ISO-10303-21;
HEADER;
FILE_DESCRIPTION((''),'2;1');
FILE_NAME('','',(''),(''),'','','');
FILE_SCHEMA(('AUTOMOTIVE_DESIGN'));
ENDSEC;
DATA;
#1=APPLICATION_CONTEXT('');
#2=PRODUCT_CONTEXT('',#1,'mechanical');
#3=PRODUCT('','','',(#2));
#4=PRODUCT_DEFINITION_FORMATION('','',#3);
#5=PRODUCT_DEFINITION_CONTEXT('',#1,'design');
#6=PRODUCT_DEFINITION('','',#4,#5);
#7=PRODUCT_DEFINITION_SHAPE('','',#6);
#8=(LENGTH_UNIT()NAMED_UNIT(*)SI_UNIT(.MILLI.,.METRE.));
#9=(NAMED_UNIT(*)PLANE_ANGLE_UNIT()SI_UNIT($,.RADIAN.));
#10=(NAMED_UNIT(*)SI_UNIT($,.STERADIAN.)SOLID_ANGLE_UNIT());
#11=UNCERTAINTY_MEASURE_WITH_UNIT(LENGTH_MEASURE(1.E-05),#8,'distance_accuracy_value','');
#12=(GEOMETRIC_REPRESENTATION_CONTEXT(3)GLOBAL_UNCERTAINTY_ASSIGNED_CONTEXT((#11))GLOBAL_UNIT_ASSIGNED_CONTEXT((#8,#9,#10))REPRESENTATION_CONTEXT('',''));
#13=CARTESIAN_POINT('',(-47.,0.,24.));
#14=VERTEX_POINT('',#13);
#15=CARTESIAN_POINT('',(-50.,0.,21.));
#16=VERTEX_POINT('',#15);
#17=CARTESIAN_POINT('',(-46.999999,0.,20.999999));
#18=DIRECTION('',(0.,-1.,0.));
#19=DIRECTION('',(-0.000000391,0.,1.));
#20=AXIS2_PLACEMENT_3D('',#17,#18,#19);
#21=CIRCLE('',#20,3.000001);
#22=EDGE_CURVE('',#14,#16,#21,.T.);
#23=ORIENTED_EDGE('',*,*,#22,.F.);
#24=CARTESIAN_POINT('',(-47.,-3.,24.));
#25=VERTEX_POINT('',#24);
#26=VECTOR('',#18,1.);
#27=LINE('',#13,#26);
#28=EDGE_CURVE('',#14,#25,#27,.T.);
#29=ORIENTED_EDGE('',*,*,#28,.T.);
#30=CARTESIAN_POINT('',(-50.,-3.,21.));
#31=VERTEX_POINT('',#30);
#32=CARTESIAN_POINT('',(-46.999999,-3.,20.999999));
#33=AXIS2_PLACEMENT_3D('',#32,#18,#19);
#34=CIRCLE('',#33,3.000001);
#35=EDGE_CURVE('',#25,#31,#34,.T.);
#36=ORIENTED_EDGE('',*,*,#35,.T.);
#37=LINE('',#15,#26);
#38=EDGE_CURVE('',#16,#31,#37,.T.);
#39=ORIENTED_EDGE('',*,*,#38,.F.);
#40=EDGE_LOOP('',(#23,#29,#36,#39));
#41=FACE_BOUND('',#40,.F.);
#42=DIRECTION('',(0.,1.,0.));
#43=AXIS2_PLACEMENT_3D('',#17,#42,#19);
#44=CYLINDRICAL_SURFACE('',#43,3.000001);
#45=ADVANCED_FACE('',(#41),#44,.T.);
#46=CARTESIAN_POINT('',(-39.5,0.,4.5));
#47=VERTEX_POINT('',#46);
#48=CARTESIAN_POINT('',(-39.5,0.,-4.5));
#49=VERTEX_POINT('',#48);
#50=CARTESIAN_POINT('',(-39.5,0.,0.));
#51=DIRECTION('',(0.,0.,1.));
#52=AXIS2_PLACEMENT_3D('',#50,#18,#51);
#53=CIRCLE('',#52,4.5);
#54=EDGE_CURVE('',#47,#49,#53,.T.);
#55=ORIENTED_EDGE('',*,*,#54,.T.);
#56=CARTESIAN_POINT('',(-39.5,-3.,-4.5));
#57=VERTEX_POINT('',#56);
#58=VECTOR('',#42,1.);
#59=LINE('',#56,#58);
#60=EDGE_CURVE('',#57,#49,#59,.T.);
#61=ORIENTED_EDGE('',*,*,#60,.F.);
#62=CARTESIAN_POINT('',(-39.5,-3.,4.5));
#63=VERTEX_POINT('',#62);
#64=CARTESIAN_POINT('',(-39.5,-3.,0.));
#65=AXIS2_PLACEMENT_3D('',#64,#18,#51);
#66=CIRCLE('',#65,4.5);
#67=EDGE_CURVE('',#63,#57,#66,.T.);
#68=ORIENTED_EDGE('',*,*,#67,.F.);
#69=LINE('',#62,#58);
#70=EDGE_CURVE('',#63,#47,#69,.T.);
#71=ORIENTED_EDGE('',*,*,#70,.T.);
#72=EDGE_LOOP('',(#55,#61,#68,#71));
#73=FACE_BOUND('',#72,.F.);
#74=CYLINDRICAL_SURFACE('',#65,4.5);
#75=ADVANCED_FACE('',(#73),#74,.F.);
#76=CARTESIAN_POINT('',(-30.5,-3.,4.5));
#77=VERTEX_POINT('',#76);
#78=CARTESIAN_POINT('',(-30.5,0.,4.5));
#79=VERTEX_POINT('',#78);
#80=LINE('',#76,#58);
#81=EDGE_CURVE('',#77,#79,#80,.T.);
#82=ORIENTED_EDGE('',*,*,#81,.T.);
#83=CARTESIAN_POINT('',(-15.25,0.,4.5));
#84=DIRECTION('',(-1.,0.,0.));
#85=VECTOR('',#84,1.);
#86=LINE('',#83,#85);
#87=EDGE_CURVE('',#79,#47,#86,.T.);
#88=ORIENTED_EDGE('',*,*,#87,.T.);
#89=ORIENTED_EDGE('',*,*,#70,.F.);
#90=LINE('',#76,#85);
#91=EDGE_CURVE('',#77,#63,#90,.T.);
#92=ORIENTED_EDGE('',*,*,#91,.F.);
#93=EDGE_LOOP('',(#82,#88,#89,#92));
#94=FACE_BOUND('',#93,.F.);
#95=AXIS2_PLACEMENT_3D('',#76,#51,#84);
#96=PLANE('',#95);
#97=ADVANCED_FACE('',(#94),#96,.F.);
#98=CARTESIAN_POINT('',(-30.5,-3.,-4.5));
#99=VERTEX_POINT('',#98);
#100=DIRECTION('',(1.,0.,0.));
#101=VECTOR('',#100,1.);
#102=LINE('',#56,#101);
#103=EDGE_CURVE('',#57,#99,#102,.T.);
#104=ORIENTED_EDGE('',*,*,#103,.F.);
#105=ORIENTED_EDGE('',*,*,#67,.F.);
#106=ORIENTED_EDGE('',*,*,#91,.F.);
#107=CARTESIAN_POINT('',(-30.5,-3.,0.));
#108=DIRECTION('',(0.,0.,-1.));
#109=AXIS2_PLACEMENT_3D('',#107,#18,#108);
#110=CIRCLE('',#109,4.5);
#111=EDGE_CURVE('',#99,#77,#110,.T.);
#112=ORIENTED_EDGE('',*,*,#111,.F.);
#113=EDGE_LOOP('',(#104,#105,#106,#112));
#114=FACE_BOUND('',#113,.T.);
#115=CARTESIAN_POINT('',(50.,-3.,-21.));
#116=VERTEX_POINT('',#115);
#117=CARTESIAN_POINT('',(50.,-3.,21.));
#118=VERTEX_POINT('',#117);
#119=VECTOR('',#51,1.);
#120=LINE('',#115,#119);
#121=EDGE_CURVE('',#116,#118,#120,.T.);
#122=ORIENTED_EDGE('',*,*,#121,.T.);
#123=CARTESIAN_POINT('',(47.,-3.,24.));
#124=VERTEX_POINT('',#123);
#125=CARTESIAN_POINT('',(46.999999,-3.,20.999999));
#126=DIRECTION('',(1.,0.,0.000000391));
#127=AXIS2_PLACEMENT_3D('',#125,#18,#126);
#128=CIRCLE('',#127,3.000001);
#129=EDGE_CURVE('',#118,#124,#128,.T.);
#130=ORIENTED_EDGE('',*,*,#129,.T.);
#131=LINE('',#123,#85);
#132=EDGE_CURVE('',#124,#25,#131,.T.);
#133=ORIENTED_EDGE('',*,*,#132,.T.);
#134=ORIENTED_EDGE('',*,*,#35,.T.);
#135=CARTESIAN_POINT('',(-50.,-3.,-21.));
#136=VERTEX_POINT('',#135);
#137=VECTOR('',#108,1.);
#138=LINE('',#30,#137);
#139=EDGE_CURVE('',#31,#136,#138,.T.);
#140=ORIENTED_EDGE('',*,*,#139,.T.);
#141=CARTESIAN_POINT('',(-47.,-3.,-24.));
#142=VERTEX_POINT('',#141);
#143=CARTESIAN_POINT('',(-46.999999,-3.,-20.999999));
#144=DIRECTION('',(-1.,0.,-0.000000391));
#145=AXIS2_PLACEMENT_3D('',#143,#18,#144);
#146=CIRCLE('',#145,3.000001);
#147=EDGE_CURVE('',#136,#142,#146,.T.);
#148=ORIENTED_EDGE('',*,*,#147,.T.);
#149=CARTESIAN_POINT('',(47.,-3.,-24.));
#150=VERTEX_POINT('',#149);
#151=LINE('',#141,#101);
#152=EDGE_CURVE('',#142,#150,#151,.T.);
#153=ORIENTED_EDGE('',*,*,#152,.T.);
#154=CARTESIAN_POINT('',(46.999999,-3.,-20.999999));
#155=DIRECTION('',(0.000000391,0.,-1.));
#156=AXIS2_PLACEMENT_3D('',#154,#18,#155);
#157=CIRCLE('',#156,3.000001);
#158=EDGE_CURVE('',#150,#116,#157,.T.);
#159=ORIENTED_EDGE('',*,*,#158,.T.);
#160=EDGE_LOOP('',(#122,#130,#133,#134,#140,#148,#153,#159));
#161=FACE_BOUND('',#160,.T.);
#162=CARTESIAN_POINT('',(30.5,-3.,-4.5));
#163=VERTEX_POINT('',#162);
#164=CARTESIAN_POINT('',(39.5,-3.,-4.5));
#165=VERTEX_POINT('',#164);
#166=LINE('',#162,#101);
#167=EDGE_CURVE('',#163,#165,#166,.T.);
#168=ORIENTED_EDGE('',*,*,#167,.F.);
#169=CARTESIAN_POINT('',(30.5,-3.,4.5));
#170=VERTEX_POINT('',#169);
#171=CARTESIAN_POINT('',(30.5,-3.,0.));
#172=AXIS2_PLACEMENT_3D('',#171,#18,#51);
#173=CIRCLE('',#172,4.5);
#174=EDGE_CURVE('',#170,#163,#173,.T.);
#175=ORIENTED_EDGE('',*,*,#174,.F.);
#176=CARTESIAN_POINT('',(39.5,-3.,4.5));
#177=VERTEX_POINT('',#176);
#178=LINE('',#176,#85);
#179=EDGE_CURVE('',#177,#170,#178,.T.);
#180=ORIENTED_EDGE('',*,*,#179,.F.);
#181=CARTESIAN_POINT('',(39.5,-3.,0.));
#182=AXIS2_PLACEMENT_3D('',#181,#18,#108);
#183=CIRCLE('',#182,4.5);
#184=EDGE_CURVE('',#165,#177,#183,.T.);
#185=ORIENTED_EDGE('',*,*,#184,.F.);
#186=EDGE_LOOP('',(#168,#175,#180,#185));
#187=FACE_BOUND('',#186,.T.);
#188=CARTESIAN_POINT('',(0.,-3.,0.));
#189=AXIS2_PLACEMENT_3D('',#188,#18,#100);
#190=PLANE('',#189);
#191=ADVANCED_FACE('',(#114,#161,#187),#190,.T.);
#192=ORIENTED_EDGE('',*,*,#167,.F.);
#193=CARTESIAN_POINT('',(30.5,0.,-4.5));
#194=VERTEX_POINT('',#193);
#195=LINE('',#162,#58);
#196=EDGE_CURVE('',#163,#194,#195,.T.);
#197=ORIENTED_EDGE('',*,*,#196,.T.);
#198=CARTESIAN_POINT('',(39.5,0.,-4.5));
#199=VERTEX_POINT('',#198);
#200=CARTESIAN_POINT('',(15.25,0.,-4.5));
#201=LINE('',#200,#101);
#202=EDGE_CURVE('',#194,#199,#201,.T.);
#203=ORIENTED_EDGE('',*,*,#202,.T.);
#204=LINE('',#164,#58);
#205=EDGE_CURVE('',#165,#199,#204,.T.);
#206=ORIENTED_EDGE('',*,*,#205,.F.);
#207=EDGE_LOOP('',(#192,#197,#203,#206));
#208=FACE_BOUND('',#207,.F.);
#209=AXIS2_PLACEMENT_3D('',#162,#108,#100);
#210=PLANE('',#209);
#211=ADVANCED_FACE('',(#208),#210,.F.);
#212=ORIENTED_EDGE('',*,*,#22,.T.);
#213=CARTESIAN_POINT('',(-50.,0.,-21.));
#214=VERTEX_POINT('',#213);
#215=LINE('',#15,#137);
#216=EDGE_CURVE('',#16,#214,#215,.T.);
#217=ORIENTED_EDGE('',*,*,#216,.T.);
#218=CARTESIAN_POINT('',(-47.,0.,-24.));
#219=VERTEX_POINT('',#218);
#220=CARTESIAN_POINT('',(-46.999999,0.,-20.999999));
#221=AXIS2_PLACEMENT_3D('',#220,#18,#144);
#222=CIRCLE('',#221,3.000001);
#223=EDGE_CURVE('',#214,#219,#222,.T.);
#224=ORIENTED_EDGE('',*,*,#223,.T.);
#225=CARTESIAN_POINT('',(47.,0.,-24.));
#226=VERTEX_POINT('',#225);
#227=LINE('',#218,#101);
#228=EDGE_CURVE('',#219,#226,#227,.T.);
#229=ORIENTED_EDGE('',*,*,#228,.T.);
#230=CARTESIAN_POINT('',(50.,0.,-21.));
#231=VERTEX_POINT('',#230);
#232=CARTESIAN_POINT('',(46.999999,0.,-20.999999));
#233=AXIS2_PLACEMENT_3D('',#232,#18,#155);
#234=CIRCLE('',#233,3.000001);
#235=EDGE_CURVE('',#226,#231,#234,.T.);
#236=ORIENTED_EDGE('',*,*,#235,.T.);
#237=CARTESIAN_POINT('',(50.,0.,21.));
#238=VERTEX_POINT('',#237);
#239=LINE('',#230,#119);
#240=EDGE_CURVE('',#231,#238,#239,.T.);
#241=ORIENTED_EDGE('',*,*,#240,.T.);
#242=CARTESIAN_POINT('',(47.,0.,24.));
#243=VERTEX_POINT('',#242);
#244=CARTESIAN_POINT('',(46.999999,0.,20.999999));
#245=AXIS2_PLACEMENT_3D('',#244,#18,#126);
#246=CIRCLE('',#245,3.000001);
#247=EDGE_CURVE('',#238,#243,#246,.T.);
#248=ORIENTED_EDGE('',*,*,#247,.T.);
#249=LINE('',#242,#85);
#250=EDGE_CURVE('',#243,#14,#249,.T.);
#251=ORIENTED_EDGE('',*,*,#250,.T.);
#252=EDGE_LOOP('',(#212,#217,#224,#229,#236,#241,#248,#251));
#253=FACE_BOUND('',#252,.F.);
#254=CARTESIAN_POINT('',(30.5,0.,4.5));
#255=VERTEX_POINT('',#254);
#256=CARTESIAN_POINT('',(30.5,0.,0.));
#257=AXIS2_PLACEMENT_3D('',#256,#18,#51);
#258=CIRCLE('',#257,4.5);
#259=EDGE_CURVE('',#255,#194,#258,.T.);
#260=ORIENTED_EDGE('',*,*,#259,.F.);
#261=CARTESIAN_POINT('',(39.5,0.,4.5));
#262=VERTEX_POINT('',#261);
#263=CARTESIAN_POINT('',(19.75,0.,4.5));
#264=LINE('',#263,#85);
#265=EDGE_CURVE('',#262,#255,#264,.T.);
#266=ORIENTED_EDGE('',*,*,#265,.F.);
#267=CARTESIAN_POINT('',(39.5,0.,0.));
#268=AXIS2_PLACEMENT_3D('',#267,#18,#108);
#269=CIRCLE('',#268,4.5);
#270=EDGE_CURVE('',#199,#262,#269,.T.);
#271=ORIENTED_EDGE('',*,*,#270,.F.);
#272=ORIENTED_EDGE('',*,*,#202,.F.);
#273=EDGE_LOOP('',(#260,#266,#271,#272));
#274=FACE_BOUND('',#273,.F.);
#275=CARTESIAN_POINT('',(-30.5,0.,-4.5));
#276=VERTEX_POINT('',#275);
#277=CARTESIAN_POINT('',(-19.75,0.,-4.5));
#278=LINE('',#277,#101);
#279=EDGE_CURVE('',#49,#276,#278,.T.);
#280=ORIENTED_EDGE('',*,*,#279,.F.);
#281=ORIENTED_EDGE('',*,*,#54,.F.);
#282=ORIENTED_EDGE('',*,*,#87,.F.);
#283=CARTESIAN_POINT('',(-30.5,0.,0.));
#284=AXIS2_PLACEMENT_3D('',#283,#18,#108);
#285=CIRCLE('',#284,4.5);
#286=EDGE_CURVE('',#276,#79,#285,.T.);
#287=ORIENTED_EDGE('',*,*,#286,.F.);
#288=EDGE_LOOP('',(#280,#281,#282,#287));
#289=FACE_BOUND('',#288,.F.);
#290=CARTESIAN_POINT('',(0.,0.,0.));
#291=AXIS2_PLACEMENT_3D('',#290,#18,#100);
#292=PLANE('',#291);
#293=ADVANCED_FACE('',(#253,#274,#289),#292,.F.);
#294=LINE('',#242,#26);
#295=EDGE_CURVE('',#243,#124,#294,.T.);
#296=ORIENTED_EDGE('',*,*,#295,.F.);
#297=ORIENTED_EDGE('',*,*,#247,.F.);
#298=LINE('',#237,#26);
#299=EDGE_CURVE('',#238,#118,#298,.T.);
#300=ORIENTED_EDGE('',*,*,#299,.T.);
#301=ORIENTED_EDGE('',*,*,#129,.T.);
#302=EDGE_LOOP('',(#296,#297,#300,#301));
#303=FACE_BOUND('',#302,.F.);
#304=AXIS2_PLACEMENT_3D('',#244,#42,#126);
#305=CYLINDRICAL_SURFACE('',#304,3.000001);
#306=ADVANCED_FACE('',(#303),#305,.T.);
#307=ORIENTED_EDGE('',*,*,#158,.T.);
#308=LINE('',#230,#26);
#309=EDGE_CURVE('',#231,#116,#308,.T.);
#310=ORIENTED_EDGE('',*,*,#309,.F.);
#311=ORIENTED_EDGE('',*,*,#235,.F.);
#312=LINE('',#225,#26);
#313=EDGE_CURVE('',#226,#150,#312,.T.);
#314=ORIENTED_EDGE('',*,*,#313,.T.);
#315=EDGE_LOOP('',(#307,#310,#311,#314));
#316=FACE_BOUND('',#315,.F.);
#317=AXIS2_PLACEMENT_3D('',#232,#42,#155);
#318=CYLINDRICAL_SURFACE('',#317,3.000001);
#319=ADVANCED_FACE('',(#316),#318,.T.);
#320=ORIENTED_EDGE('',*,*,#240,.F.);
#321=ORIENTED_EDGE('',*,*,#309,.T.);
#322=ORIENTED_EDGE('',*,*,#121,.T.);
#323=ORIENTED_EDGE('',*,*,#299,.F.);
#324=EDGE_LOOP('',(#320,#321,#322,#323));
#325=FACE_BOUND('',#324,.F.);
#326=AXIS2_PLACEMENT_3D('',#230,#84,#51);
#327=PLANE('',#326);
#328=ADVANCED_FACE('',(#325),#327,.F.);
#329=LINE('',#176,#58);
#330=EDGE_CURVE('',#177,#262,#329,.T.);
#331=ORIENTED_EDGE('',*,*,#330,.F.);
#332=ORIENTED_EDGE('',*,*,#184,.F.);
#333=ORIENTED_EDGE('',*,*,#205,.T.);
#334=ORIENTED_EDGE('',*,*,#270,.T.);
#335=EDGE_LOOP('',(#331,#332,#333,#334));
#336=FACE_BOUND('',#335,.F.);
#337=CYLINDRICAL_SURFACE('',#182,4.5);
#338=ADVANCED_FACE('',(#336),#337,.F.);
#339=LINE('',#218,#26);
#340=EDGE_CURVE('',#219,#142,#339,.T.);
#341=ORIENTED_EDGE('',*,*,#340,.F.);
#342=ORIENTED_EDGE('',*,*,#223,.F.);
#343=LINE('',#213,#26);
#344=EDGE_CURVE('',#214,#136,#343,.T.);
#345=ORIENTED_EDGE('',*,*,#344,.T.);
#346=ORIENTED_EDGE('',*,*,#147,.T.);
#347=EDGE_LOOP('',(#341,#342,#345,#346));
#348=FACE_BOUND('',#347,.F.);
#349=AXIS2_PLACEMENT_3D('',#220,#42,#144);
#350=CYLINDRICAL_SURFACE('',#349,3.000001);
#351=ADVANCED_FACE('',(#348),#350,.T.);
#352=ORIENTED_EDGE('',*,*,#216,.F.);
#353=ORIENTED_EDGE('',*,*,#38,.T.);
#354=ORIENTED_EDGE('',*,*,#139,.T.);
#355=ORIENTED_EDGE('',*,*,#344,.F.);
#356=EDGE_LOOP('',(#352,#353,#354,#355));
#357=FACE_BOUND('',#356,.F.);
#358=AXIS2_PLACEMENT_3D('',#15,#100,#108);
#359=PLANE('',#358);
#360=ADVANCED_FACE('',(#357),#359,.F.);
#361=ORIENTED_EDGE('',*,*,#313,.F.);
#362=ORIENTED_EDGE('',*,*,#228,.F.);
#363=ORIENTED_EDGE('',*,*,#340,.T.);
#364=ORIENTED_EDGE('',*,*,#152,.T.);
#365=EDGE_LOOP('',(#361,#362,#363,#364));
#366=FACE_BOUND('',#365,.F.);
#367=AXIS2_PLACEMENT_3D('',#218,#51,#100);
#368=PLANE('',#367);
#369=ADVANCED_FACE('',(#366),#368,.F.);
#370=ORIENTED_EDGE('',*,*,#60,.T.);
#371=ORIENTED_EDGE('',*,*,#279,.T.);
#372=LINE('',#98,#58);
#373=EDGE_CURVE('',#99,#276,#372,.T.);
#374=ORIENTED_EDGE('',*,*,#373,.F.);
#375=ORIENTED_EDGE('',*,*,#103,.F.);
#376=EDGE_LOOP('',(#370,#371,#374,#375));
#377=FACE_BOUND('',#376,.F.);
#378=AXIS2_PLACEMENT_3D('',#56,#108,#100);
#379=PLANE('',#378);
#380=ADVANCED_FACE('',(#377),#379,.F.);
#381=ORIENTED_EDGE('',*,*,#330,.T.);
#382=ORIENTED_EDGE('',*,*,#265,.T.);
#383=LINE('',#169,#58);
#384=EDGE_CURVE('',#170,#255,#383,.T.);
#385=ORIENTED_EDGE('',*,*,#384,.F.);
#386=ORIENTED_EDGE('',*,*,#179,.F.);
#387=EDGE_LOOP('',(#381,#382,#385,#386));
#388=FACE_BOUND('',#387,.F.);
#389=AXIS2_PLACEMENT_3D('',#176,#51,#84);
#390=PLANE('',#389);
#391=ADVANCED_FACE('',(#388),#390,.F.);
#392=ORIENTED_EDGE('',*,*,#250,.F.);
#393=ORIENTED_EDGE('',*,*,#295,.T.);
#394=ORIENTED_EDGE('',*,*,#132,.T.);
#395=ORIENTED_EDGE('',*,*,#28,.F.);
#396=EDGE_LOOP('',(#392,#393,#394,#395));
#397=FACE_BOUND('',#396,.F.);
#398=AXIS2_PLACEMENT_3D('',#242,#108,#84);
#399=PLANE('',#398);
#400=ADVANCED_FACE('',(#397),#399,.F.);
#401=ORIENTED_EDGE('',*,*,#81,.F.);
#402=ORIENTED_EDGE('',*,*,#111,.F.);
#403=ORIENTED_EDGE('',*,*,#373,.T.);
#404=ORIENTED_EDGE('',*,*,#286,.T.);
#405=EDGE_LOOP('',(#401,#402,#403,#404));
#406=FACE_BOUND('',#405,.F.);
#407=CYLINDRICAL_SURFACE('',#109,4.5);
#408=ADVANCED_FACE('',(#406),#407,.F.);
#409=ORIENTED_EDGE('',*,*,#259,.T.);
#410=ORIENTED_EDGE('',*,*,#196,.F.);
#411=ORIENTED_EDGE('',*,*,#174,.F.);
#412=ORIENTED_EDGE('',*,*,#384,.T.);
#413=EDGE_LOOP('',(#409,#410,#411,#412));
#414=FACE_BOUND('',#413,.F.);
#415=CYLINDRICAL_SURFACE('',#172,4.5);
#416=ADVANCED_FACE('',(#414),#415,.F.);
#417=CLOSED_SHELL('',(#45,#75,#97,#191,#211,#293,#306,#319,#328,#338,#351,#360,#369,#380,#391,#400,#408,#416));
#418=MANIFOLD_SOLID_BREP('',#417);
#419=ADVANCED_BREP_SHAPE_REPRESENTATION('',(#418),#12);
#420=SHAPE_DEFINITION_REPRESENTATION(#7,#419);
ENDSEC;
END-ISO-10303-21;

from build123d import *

# Parameters (mm, degrees)
F1_DEPTH = 3
F3_DEPTH = 25


with BuildPart() as f1:
    # F0 (on Front) → F1 (new body)
    with BuildSketch(Plane.XZ):
        with BuildLine():
            ThreePointArc((50, 21), (49.12132, 23.12132), (47, 24))
            Line((47, 24), (-47, 24))
            ThreePointArc((-47, 24), (-49.12132, 23.12132), (-50, 21))
            Line((-50, 21), (-50, -21))
            ThreePointArc((-50, -21), (-49.12132, -23.12132), (-47, -24))
            Line((-47, -24), (47, -24))
            ThreePointArc((47, -24), (49.12132, -23.12132), (50, -21))
            Line((50, -21), (50, 21))
        make_face()
    extrude(amount=F1_DEPTH)

    # F2 (on face) → F3 (cut)
    with BuildSketch(Plane.XZ.offset(3)):
        with BuildLine():
            Line((30.5, -4.5), (39.5, -4.5))
            ThreePointArc((39.5, -4.5), (44, 0), (39.5, 4.5))
            Line((39.5, 4.5), (30.5, 4.5))
            ThreePointArc((30.5, 4.5), (26, 0), (30.5, -4.5))
        make_face()
        with BuildLine():
            ThreePointArc((-30.5, -4.5), (-26, 0), (-30.5, 4.5))
            Line((-30.5, 4.5), (-39.5, 4.5))
            ThreePointArc((-39.5, 4.5), (-44, 0), (-39.5, -4.5))
            Line((-39.5, -4.5), (-30.5, -4.5))
        make_face()
    extrude(amount=-F3_DEPTH, mode=Mode.SUBTRACT)


solid = f1.part
